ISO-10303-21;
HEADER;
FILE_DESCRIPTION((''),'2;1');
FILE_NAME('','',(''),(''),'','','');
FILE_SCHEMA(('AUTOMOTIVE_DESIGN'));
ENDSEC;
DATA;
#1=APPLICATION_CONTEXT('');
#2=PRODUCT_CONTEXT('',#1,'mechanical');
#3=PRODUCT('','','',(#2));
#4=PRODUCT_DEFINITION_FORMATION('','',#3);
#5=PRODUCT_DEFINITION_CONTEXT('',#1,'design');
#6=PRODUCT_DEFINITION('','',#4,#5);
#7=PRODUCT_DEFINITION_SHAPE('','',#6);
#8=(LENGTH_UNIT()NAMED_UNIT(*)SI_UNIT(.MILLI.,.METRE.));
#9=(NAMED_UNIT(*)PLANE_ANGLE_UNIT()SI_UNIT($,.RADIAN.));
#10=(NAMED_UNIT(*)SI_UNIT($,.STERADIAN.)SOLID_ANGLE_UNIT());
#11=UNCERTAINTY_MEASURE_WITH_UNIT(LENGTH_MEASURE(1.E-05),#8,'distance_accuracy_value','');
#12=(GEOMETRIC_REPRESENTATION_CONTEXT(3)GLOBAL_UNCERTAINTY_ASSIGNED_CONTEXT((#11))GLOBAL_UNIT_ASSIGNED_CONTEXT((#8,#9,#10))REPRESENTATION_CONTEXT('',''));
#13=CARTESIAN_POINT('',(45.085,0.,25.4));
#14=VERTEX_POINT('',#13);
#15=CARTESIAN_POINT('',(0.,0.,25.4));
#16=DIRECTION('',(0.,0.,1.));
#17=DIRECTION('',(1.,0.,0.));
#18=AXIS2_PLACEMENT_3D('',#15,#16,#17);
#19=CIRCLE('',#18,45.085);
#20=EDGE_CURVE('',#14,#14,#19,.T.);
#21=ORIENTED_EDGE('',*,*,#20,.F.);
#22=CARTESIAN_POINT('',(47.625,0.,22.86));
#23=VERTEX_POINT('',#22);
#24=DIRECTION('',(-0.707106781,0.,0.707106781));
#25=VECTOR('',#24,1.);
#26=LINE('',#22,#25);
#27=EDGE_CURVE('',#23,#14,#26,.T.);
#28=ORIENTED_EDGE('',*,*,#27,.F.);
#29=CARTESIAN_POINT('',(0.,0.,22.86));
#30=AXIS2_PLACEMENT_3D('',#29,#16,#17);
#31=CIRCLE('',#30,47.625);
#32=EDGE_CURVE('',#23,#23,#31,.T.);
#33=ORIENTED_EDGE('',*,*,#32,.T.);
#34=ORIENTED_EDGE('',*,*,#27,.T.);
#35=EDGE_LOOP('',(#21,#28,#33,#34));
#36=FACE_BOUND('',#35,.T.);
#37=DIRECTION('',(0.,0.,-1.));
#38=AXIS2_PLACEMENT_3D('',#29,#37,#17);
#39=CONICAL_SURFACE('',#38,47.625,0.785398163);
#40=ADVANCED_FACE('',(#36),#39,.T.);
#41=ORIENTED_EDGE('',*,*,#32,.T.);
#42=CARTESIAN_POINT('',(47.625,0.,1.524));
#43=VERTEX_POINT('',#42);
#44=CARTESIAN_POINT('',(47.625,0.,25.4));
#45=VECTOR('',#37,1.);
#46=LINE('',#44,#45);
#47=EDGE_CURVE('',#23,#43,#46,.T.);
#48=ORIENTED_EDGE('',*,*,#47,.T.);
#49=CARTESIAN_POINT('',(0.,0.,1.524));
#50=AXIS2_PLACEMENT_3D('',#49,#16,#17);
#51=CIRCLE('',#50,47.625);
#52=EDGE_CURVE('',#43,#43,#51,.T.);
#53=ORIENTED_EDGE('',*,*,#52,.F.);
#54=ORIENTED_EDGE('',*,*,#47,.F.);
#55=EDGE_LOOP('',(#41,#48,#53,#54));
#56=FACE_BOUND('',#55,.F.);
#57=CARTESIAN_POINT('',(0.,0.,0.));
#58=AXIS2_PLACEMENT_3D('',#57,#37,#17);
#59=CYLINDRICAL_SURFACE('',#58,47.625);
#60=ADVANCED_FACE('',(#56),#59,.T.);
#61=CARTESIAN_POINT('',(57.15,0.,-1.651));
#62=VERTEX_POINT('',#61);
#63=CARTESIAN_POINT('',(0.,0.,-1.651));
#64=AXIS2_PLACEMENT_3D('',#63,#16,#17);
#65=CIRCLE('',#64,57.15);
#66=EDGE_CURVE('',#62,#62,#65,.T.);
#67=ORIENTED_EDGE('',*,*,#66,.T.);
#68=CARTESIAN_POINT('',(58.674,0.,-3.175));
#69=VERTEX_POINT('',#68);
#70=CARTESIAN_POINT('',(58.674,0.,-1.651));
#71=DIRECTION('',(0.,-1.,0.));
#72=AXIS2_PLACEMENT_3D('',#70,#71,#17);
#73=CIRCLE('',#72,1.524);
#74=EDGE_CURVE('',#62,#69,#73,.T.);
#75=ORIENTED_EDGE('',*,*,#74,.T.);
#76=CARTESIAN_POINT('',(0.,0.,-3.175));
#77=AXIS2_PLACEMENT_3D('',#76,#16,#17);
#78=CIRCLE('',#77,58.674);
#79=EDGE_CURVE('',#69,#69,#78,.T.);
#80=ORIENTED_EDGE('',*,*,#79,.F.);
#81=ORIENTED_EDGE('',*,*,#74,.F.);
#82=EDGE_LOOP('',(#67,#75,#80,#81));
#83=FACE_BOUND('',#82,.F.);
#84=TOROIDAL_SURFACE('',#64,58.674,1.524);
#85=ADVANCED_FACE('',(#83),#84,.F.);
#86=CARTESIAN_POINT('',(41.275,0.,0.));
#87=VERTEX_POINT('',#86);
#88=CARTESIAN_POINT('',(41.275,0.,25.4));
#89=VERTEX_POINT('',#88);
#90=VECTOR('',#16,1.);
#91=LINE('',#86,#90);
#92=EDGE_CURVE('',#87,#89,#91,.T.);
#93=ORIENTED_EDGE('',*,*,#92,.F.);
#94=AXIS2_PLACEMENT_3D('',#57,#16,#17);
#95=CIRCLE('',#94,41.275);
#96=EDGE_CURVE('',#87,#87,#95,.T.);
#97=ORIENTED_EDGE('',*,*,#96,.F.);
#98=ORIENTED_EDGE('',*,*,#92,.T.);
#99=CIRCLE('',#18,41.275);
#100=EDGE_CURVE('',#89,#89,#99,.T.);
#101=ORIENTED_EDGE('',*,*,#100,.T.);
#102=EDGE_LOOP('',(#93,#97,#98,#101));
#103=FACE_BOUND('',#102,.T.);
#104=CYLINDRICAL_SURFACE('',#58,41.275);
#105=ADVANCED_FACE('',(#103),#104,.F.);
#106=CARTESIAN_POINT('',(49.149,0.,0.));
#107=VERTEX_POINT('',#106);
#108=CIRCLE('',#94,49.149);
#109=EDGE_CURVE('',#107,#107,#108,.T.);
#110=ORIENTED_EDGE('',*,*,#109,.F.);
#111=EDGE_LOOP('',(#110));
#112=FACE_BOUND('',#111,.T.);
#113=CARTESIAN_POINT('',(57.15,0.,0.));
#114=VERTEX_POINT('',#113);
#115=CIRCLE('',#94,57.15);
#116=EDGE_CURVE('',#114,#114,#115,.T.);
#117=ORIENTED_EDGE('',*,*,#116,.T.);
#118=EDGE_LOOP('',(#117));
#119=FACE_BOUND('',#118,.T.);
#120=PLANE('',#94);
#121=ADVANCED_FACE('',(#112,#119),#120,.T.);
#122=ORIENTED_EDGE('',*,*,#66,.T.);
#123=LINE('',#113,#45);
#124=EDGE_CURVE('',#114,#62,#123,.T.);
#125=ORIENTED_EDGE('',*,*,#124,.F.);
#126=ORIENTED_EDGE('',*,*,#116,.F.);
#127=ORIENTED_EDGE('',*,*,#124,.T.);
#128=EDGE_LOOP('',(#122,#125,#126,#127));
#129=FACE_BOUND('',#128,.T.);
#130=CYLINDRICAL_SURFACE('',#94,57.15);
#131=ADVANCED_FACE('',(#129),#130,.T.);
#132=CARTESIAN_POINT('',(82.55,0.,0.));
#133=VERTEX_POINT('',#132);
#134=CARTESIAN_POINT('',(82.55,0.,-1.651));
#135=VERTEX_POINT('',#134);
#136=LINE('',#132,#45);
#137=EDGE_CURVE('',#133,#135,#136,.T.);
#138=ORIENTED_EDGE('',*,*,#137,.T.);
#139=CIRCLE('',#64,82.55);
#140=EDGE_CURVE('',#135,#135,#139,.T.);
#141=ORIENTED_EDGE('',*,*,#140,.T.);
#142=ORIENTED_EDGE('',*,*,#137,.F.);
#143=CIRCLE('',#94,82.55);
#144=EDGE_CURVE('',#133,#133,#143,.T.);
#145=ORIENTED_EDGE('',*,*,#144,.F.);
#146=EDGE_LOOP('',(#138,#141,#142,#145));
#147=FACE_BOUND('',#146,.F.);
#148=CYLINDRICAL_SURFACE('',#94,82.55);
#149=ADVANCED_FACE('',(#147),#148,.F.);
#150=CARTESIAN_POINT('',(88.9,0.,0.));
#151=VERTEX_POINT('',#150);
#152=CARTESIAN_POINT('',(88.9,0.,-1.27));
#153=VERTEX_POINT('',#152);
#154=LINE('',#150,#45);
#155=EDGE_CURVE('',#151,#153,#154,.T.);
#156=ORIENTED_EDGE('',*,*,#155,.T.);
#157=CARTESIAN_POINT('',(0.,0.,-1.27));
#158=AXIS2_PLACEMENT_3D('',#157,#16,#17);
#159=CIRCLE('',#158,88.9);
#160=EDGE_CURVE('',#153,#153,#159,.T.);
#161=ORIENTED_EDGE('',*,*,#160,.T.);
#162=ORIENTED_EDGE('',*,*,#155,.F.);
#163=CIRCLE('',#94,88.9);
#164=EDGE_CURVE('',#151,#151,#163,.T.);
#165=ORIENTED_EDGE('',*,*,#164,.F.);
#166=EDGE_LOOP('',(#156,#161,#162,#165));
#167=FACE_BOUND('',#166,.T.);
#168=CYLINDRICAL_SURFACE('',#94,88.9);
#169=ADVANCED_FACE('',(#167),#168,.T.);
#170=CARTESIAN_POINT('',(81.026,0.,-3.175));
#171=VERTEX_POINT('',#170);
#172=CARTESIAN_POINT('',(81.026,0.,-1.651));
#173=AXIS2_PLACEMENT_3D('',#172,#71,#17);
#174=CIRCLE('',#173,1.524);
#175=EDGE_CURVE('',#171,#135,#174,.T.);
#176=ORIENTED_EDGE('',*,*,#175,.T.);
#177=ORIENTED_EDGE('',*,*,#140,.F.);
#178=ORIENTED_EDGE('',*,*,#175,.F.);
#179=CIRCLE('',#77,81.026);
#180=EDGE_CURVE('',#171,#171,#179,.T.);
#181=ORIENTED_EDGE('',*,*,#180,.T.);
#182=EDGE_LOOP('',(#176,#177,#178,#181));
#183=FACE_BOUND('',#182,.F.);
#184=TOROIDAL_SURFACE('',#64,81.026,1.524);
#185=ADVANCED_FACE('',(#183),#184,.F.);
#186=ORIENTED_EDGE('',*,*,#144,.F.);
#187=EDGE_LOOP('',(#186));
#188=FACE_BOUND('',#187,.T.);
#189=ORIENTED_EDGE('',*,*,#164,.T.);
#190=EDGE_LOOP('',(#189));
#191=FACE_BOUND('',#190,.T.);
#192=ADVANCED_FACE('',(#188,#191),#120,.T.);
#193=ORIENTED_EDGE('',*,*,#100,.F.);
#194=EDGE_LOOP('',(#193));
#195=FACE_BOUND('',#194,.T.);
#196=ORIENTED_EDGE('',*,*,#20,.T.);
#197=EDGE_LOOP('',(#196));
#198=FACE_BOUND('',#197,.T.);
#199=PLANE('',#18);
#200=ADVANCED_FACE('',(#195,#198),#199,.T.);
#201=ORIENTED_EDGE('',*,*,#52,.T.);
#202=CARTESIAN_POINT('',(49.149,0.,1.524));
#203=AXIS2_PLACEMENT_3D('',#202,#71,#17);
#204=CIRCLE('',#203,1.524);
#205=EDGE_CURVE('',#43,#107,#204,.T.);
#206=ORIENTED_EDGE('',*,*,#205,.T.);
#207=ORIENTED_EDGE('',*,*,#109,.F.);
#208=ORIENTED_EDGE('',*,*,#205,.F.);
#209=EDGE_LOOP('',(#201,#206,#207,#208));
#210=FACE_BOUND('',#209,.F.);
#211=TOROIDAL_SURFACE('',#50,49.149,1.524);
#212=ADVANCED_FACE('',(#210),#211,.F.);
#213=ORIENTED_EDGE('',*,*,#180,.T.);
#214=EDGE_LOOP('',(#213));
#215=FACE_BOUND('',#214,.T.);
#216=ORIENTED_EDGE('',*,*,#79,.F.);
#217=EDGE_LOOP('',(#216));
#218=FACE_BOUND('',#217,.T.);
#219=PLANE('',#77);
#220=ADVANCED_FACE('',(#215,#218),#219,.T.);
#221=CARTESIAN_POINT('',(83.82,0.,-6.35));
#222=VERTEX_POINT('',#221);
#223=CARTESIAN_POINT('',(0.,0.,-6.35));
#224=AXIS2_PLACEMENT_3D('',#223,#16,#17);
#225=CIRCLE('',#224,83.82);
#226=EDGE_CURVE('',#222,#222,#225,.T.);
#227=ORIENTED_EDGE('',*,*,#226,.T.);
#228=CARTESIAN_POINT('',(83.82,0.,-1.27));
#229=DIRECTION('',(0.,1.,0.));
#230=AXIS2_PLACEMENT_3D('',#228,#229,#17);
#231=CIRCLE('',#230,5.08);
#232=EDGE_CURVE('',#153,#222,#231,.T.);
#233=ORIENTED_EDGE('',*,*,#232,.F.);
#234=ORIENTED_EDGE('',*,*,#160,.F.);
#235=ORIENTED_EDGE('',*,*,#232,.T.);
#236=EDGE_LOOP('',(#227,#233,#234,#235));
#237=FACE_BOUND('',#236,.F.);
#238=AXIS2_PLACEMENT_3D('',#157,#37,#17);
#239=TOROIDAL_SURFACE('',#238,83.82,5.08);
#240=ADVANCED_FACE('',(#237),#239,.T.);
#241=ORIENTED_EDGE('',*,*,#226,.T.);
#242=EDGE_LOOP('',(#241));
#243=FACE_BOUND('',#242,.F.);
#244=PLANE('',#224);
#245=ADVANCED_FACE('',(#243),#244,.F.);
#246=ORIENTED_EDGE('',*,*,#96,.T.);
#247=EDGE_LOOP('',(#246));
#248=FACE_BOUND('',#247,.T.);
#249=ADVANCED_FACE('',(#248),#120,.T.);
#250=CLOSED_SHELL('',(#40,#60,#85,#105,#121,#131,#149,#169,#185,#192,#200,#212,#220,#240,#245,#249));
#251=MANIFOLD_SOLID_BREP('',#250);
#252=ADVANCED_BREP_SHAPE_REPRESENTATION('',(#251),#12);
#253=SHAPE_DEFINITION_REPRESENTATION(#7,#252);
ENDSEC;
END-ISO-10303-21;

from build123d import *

# Parameters (mm, degrees)
F1_R      = 47.625
F2_DEPTH  = 25.4
F0_R      = 88.9
F2_FACE_R = 47.625
F3_DEPTH  = 6.35
F4_R      = 5.08
F5_SIZE   = 2.54
F6_R      = 82.55
F6_R_2    = 57.15
F8_DEPTH  = 3.175
F7_R      = 41.275
F9_DEPTH  = 25.4
F10_R     = 1.524


with BuildPart() as f2:
    # F1 (on Top) → F2 (new body)
    with BuildSketch(Plane.XY):
        Circle(F1_R)
    extrude(amount=F2_DEPTH)

    # F0 (on Top) + F2_face (on face) → F3 (join)
    with BuildSketch(Plane.XY):
        Circle(F0_R)
    with BuildSketch(Plane.XY.offset(25.4)):
        Circle(F2_FACE_R)
    extrude(amount=-F3_DEPTH)

    # F4
    f4_edges = [f2.edges().sort_by_distance(p)[0] for p in [
        (-88.9, 0, -6.35),
    ]]
    fillet(f4_edges, radius=F4_R)

    # F5
    f5_edges = [f2.edges().sort_by_distance(p)[0] for p in [
        (-47.625, 0, 25.4),
    ]]
    chamfer(f5_edges, length=F5_SIZE)

    # F6 (on Top) → F8 (cut)
    with BuildSketch(Plane.XY):
        Circle(F6_R)
        Circle(F6_R_2, mode=Mode.SUBTRACT)
    extrude(amount=-F8_DEPTH, mode=Mode.SUBTRACT)

    # F7 (on Top) → F9 (cut)
    with BuildSketch(Plane.XY):
        Circle(F7_R)
    extrude(amount=F9_DEPTH, mode=Mode.SUBTRACT)

    # F10
    f10_edges = [f2.edges().sort_by_distance(p)[0] for p in [
        (-82.55, 0, -3.175),
        (-57.15, 0, -3.175),
        (-47.625, 0, 0),
    ]]
    fillet(f10_edges, radius=F10_R)


solid = f2.part
